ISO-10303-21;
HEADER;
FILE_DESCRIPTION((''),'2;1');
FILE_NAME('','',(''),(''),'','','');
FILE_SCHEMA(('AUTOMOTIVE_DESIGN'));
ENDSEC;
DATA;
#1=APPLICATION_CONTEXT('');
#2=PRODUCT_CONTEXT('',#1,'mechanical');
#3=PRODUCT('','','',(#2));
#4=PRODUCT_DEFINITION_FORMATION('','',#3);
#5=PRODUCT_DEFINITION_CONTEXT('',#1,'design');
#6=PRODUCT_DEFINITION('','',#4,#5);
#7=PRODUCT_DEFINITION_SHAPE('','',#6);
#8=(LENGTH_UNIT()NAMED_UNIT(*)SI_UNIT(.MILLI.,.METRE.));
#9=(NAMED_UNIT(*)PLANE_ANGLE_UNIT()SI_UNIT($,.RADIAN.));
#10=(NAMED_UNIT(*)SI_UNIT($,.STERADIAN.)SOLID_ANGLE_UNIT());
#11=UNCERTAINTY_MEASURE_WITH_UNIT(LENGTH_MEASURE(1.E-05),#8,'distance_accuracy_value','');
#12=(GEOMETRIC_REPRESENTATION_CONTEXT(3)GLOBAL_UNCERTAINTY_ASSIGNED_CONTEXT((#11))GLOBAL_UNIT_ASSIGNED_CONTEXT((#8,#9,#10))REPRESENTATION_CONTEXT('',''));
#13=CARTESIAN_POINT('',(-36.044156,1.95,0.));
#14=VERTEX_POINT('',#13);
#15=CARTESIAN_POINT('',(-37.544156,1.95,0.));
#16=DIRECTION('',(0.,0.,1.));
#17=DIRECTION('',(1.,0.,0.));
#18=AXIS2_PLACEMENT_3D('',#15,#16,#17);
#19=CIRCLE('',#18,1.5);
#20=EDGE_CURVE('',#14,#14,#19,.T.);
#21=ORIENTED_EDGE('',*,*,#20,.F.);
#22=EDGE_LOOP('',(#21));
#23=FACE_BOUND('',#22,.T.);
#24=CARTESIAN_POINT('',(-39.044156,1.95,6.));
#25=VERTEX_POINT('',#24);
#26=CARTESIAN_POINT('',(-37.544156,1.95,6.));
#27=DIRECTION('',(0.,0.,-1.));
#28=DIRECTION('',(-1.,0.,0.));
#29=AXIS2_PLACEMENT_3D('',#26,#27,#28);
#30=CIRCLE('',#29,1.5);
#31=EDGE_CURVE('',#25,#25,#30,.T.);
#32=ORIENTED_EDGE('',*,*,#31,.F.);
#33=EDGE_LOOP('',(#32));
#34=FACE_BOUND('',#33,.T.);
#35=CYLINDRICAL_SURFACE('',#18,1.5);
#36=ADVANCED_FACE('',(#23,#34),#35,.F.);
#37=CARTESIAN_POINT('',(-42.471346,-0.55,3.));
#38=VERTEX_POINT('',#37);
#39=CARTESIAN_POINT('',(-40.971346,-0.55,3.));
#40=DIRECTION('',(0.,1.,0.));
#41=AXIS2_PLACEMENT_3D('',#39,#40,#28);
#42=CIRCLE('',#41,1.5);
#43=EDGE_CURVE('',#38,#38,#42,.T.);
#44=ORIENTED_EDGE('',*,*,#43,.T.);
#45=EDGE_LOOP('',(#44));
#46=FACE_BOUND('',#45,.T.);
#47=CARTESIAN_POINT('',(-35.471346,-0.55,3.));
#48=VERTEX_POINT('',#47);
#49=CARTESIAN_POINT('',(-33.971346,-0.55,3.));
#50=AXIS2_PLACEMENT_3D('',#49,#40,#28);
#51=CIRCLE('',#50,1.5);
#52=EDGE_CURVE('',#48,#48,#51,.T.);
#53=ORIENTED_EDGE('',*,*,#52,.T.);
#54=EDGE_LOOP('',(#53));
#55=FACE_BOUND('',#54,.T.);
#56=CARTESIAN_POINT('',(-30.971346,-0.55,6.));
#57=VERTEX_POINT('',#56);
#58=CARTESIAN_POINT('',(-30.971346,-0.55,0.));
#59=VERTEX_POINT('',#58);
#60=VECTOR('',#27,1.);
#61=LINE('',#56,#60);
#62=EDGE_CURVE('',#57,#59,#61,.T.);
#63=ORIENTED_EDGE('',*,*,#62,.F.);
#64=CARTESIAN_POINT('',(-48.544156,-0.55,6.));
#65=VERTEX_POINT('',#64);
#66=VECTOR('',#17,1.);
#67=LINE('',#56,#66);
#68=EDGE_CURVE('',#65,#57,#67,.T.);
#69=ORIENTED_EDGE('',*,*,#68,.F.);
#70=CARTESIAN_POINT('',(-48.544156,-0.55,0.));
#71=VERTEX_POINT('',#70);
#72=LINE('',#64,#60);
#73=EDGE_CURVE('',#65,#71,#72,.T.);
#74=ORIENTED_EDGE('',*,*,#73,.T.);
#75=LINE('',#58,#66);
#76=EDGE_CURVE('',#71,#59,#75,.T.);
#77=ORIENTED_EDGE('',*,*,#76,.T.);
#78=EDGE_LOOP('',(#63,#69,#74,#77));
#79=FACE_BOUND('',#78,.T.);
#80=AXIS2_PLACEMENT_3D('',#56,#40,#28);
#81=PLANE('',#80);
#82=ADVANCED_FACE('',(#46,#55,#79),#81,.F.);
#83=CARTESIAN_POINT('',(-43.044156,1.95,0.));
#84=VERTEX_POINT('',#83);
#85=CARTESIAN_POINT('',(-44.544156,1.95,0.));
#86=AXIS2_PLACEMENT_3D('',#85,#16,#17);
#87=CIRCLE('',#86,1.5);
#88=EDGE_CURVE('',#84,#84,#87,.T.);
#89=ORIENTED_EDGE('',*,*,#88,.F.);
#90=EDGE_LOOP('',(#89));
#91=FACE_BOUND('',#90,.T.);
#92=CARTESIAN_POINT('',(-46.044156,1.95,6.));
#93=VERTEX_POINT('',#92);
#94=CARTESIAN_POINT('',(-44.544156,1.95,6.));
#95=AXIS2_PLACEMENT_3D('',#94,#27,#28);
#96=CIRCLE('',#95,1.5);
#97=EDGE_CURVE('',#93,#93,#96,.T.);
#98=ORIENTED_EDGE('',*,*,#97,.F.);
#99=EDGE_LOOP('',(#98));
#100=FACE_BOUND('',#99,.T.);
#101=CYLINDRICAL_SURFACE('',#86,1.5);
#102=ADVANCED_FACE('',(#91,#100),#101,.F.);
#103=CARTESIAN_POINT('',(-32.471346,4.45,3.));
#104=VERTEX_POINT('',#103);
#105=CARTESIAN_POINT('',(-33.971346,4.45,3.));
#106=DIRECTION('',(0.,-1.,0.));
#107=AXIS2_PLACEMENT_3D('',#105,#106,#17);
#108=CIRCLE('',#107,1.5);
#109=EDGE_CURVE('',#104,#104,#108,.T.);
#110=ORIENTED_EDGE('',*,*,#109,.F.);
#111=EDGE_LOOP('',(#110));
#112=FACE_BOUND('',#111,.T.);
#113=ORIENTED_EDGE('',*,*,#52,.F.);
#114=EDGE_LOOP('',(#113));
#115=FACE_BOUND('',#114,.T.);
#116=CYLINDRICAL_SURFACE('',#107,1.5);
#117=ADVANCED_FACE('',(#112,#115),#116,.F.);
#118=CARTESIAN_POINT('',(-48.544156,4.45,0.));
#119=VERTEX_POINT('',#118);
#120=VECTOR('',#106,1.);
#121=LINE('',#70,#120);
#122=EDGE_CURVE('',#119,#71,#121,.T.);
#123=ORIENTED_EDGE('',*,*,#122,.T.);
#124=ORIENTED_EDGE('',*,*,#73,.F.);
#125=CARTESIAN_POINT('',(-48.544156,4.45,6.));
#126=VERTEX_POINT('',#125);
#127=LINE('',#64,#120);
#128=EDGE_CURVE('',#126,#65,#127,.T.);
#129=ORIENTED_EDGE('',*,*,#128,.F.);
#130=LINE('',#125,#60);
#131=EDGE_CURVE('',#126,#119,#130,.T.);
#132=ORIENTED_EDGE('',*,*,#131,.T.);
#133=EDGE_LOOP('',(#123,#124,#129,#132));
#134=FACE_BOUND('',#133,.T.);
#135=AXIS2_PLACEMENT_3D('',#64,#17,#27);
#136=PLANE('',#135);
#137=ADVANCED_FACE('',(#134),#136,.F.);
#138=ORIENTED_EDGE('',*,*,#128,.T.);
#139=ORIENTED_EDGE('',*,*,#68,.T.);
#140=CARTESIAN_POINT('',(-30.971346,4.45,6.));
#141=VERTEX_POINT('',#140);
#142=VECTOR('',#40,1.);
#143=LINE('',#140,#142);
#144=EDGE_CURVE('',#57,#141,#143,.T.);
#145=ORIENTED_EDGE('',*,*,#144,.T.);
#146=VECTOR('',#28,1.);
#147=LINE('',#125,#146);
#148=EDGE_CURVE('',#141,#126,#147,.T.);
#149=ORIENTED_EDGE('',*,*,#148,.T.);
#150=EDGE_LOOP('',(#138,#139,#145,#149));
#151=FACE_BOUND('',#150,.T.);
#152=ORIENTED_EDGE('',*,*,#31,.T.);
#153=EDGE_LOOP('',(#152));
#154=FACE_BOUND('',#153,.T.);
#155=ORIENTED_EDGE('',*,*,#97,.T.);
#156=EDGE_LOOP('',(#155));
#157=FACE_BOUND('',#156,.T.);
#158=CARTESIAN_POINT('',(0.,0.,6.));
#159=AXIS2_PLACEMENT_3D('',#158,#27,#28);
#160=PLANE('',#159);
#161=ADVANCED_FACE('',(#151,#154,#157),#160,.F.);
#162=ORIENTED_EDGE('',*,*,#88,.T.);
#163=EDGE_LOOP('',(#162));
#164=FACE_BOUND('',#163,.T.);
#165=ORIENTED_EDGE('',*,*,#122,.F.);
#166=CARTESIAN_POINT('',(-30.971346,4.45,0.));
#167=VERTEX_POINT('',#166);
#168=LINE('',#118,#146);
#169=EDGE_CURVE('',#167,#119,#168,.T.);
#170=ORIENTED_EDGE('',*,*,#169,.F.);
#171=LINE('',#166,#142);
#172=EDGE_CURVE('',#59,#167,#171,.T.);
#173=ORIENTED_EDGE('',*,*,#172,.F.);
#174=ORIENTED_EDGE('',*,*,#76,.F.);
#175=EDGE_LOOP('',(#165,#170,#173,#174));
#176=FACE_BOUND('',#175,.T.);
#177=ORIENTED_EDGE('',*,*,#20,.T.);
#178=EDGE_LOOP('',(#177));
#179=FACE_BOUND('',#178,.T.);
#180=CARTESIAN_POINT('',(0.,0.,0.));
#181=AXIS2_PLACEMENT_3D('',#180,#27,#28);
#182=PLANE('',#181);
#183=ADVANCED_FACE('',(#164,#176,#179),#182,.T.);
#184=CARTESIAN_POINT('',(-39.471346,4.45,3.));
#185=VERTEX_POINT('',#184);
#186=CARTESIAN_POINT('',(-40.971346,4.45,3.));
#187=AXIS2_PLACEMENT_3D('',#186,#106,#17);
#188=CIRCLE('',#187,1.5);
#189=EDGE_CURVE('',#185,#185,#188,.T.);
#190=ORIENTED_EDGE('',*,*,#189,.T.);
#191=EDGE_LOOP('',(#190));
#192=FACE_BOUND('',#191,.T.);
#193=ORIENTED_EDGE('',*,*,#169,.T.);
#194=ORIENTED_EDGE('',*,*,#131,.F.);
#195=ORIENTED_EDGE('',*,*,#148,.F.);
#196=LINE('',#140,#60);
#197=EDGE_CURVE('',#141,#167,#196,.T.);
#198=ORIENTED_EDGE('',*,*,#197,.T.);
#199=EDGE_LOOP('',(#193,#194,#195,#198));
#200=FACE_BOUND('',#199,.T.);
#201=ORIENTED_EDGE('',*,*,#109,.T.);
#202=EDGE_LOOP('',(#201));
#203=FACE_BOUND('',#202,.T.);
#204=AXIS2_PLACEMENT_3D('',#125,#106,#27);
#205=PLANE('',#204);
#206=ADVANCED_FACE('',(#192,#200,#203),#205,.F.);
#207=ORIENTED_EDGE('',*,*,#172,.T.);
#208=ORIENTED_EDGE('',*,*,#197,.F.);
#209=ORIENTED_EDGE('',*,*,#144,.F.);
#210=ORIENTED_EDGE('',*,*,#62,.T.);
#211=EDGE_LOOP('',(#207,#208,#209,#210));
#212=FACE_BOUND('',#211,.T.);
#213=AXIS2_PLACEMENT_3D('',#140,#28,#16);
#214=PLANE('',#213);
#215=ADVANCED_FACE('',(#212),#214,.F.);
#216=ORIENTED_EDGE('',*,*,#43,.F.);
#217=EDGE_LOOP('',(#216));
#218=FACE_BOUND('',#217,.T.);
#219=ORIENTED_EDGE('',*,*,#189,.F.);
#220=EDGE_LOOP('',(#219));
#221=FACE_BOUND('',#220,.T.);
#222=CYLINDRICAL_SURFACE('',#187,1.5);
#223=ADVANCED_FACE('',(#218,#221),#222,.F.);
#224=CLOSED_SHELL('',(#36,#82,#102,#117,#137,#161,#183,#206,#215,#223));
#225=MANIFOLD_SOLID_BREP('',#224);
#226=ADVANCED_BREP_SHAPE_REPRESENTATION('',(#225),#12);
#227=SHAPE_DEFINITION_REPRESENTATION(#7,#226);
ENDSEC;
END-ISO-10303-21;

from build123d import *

# Parameters (mm, degrees)
SKETCH_5_W               = 17.572810229
SKETCH_5_H               = 5
EXTRUDE_1_DEPTH          = 6
CUT_EXTRUDE_1_DEPTH      = 50.115553238
CUT_EXTRUDE_1_DEPTH_BACK = 50.115553238
SKETCH_6_R               = 1.5
CUT_EXTRUDE_2_DEPTH      = 50.168435707
CUT_EXTRUDE_2_DEPTH_BACK = 50.168435707
SKETCH_7_R               = 1.5


with BuildPart() as part:
    # 草图5 → 凸台-拉伸1 (new body)
    with BuildSketch(Plane.XY):
        with Locations((-39.757750763, 1.95)):
            Rectangle(SKETCH_5_W, SKETCH_5_H)
    extrude(amount=EXTRUDE_1_DEPTH)

    # 草图6 → 切除-拉伸1 (cut, two sides: drawn at the far end of the back side and taken through both)
    with BuildSketch(Plane.XY.offset(6).offset(-CUT_EXTRUDE_1_DEPTH_BACK)):
        with Locations((-37.544155877, 1.95)):
            Circle(SKETCH_6_R)
        with Locations((-44.544155877, 1.95)):
            Circle(SKETCH_6_R)
    extrude(amount=CUT_EXTRUDE_1_DEPTH + CUT_EXTRUDE_1_DEPTH_BACK, mode=Mode.SUBTRACT)

    # 草图7 → 切除-拉伸2 (cut, two sides: drawn at the far end of the back side and taken through both)
    with BuildSketch(Plane.XZ.offset(0.55).offset(-CUT_EXTRUDE_2_DEPTH_BACK)):
        with Locations((-40.971345648, 3)):
            Circle(SKETCH_7_R)
        with Locations((-33.971345648, 3)):
            Circle(SKETCH_7_R)
    extrude(amount=CUT_EXTRUDE_2_DEPTH + CUT_EXTRUDE_2_DEPTH_BACK, mode=Mode.SUBTRACT)


solid = part.part
